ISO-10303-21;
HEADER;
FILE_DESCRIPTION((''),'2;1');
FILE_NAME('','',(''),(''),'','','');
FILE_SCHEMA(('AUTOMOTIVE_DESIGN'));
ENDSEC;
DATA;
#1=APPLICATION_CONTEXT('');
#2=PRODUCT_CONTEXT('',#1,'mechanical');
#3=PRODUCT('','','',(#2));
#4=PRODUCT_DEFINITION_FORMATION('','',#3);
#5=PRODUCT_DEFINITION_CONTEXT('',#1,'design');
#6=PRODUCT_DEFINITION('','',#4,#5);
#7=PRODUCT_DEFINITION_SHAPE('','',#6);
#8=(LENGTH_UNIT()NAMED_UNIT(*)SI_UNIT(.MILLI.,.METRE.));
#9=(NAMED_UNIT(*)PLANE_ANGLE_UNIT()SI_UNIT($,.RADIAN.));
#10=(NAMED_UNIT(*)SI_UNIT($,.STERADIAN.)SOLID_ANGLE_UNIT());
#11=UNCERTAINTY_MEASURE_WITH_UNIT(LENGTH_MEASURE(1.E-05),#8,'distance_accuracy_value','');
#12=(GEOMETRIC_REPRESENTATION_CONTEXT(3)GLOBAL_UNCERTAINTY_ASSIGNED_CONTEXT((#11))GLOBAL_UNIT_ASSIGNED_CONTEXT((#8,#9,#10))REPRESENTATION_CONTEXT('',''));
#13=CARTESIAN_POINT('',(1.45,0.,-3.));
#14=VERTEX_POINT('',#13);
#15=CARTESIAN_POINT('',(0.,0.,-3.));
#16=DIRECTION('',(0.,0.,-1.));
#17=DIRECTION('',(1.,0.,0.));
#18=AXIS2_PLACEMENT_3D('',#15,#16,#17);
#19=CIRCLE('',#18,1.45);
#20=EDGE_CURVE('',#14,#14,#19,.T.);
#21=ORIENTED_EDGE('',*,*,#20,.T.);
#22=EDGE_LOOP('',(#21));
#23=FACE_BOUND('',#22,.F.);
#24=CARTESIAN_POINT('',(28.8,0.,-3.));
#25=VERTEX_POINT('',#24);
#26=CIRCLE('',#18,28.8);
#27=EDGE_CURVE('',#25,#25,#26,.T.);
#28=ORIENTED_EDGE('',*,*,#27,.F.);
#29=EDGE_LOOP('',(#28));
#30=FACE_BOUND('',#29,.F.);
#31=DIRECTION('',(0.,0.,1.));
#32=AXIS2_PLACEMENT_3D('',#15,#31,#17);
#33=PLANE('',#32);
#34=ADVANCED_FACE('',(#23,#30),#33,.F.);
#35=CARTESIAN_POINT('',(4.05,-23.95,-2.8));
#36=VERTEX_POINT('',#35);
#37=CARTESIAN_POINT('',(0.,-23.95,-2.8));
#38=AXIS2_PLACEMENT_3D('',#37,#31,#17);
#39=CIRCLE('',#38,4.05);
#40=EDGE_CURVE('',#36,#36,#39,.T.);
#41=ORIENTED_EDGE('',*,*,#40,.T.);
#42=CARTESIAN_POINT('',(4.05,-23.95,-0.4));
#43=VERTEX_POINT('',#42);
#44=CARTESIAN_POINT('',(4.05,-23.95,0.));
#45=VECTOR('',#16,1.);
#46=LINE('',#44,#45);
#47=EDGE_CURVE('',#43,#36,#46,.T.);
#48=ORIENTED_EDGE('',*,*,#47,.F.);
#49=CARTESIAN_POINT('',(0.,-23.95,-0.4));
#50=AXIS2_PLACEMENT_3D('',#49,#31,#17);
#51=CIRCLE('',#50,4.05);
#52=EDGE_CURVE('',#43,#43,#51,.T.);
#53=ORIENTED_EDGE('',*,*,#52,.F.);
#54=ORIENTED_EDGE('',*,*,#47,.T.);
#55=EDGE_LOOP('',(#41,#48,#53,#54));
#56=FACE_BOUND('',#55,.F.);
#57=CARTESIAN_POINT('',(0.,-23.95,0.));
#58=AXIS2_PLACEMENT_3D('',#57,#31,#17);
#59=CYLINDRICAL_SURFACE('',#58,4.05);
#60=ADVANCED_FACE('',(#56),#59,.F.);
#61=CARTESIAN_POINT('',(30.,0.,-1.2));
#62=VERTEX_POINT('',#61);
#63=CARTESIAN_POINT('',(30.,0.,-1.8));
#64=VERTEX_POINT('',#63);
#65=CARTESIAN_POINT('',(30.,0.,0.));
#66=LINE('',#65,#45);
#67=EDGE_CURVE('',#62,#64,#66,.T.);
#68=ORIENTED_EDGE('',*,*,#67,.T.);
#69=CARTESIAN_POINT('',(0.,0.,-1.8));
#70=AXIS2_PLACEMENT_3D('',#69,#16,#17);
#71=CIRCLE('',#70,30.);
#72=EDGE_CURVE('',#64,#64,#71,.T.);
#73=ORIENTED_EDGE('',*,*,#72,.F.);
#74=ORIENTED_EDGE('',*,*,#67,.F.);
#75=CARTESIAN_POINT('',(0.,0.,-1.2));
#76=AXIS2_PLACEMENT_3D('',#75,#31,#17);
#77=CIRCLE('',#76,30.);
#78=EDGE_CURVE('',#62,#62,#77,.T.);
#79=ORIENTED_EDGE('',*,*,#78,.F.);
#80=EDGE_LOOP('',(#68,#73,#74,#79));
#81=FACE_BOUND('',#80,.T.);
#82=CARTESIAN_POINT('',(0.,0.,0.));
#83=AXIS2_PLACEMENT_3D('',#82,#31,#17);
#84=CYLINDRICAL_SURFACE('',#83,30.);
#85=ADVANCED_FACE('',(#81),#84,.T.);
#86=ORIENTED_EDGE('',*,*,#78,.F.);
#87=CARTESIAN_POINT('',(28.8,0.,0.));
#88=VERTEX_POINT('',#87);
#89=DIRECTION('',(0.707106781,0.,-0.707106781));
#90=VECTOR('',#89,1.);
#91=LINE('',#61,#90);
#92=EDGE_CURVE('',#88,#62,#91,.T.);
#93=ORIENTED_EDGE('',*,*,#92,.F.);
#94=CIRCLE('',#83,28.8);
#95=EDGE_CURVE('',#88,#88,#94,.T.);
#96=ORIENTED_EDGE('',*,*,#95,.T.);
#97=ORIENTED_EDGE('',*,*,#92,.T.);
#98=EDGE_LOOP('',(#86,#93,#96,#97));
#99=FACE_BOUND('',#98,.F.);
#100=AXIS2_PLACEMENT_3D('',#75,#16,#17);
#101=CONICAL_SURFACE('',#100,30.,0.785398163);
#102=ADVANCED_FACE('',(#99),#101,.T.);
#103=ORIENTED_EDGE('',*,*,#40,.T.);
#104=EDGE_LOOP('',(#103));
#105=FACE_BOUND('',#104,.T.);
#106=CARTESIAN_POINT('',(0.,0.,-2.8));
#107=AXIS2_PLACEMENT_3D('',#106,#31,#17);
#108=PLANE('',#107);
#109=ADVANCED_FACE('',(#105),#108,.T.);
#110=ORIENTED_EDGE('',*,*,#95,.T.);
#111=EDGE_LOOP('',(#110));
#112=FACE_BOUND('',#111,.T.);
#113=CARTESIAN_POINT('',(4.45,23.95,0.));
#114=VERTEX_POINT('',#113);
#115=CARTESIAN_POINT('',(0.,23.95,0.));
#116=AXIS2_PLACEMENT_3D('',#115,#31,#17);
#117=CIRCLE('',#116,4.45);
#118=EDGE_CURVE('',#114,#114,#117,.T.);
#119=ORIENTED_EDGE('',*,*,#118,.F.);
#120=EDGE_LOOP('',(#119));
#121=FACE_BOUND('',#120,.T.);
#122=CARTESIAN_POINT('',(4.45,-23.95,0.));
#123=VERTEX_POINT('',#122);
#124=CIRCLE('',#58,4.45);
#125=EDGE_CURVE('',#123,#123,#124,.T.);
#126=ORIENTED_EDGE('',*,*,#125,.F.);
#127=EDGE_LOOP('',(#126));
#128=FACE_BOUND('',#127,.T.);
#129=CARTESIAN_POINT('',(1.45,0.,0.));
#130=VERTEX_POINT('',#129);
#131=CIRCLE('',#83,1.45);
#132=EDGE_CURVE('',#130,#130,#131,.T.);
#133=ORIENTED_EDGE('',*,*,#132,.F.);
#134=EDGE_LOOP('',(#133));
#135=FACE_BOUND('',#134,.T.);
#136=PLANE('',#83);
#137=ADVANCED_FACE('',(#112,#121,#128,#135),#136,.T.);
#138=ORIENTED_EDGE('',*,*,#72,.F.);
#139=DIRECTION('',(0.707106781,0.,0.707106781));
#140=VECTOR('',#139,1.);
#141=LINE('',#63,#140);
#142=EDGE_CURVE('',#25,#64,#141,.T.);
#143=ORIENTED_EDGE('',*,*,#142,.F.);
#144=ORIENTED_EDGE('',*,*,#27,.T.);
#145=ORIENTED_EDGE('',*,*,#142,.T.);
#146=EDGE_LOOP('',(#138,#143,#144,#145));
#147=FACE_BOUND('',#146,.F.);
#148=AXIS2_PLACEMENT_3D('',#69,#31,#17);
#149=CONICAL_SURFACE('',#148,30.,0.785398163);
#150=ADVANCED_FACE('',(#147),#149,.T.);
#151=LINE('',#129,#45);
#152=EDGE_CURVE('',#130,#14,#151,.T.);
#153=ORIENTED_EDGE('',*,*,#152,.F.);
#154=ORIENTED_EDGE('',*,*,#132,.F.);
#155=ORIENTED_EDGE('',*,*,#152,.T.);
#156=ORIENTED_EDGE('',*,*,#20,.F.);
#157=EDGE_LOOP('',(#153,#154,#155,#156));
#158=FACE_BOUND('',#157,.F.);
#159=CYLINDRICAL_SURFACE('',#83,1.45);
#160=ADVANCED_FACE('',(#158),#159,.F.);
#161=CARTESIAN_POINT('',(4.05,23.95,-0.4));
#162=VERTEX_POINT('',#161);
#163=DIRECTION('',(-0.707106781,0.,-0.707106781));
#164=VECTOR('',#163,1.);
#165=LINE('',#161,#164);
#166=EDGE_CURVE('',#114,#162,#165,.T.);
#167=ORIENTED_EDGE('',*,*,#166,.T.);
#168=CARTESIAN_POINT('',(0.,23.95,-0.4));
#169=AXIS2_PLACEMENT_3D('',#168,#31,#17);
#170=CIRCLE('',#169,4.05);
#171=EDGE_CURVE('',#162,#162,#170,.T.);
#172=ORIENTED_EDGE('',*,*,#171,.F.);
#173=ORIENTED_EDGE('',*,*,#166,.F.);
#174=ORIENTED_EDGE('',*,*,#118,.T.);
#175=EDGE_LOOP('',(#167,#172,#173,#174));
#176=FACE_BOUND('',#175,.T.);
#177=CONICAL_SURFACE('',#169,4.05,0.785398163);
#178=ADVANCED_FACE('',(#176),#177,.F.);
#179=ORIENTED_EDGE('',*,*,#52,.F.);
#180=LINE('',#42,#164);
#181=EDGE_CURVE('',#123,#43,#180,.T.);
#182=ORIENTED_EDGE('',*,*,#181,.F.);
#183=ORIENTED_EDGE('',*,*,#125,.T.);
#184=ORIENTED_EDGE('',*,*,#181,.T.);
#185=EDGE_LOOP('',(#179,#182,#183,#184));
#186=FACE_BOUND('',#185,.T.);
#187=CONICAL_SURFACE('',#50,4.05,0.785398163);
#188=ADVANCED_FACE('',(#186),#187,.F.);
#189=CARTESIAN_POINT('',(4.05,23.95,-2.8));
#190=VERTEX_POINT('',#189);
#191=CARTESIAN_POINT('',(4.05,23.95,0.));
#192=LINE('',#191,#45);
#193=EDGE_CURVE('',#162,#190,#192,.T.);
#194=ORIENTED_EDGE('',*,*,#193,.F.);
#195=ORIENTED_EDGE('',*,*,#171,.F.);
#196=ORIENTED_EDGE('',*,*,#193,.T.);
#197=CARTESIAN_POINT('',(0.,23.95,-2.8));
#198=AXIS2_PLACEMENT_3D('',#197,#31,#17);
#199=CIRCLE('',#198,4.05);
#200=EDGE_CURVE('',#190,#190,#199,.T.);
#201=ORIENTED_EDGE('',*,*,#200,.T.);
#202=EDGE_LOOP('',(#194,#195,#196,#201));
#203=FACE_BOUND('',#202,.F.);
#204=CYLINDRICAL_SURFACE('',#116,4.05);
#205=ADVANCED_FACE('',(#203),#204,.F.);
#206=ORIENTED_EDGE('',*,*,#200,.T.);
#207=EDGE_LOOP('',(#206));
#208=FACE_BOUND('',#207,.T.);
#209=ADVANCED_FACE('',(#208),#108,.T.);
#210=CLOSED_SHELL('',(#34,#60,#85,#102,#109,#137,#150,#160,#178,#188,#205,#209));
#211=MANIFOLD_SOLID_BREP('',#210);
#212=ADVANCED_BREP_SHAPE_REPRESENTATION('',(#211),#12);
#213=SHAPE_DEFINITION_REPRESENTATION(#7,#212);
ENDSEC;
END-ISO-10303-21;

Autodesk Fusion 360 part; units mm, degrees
sketch "Sketch1" plane through (0, 0, 0) normal (0, 0, 1) x (1, 0, 0)
  circle A0 centre (0, 0) radius 30
  circle A1 centre (0, 23.95) radius 4.05
  line L0 (-30, 0) -> (30, 0)
  circle A2 centre (0, -23.95) radius 4.05
  circle A3 centre (0, 0) radius 1.45
  dimension "d1" = 60
  dimension "d2" = 8.1
  dimension "d3" = 2
  dimension "d4" = 2.9
extrude "Extrude1" add sketch "Sketch1" against normal blind 3 contours A0 L0 A3 | A0 L0 A3 | A1 | A2
extrude "Extrude2" cut sketch "Sketch1" against normal blind 2.8 contours A1 | A2
chamfer "Chamfer1" distance 1.2 angle 45 2 edges at (-27.9698, -10.8485, 0) (-27.9698, 10.8485, -3)
chamfer "Chamfer2" distance 0.4 angle 45 2 edges at (-3.7759, -22.4855, 0) (-3.7759, 25.4145, 0)
